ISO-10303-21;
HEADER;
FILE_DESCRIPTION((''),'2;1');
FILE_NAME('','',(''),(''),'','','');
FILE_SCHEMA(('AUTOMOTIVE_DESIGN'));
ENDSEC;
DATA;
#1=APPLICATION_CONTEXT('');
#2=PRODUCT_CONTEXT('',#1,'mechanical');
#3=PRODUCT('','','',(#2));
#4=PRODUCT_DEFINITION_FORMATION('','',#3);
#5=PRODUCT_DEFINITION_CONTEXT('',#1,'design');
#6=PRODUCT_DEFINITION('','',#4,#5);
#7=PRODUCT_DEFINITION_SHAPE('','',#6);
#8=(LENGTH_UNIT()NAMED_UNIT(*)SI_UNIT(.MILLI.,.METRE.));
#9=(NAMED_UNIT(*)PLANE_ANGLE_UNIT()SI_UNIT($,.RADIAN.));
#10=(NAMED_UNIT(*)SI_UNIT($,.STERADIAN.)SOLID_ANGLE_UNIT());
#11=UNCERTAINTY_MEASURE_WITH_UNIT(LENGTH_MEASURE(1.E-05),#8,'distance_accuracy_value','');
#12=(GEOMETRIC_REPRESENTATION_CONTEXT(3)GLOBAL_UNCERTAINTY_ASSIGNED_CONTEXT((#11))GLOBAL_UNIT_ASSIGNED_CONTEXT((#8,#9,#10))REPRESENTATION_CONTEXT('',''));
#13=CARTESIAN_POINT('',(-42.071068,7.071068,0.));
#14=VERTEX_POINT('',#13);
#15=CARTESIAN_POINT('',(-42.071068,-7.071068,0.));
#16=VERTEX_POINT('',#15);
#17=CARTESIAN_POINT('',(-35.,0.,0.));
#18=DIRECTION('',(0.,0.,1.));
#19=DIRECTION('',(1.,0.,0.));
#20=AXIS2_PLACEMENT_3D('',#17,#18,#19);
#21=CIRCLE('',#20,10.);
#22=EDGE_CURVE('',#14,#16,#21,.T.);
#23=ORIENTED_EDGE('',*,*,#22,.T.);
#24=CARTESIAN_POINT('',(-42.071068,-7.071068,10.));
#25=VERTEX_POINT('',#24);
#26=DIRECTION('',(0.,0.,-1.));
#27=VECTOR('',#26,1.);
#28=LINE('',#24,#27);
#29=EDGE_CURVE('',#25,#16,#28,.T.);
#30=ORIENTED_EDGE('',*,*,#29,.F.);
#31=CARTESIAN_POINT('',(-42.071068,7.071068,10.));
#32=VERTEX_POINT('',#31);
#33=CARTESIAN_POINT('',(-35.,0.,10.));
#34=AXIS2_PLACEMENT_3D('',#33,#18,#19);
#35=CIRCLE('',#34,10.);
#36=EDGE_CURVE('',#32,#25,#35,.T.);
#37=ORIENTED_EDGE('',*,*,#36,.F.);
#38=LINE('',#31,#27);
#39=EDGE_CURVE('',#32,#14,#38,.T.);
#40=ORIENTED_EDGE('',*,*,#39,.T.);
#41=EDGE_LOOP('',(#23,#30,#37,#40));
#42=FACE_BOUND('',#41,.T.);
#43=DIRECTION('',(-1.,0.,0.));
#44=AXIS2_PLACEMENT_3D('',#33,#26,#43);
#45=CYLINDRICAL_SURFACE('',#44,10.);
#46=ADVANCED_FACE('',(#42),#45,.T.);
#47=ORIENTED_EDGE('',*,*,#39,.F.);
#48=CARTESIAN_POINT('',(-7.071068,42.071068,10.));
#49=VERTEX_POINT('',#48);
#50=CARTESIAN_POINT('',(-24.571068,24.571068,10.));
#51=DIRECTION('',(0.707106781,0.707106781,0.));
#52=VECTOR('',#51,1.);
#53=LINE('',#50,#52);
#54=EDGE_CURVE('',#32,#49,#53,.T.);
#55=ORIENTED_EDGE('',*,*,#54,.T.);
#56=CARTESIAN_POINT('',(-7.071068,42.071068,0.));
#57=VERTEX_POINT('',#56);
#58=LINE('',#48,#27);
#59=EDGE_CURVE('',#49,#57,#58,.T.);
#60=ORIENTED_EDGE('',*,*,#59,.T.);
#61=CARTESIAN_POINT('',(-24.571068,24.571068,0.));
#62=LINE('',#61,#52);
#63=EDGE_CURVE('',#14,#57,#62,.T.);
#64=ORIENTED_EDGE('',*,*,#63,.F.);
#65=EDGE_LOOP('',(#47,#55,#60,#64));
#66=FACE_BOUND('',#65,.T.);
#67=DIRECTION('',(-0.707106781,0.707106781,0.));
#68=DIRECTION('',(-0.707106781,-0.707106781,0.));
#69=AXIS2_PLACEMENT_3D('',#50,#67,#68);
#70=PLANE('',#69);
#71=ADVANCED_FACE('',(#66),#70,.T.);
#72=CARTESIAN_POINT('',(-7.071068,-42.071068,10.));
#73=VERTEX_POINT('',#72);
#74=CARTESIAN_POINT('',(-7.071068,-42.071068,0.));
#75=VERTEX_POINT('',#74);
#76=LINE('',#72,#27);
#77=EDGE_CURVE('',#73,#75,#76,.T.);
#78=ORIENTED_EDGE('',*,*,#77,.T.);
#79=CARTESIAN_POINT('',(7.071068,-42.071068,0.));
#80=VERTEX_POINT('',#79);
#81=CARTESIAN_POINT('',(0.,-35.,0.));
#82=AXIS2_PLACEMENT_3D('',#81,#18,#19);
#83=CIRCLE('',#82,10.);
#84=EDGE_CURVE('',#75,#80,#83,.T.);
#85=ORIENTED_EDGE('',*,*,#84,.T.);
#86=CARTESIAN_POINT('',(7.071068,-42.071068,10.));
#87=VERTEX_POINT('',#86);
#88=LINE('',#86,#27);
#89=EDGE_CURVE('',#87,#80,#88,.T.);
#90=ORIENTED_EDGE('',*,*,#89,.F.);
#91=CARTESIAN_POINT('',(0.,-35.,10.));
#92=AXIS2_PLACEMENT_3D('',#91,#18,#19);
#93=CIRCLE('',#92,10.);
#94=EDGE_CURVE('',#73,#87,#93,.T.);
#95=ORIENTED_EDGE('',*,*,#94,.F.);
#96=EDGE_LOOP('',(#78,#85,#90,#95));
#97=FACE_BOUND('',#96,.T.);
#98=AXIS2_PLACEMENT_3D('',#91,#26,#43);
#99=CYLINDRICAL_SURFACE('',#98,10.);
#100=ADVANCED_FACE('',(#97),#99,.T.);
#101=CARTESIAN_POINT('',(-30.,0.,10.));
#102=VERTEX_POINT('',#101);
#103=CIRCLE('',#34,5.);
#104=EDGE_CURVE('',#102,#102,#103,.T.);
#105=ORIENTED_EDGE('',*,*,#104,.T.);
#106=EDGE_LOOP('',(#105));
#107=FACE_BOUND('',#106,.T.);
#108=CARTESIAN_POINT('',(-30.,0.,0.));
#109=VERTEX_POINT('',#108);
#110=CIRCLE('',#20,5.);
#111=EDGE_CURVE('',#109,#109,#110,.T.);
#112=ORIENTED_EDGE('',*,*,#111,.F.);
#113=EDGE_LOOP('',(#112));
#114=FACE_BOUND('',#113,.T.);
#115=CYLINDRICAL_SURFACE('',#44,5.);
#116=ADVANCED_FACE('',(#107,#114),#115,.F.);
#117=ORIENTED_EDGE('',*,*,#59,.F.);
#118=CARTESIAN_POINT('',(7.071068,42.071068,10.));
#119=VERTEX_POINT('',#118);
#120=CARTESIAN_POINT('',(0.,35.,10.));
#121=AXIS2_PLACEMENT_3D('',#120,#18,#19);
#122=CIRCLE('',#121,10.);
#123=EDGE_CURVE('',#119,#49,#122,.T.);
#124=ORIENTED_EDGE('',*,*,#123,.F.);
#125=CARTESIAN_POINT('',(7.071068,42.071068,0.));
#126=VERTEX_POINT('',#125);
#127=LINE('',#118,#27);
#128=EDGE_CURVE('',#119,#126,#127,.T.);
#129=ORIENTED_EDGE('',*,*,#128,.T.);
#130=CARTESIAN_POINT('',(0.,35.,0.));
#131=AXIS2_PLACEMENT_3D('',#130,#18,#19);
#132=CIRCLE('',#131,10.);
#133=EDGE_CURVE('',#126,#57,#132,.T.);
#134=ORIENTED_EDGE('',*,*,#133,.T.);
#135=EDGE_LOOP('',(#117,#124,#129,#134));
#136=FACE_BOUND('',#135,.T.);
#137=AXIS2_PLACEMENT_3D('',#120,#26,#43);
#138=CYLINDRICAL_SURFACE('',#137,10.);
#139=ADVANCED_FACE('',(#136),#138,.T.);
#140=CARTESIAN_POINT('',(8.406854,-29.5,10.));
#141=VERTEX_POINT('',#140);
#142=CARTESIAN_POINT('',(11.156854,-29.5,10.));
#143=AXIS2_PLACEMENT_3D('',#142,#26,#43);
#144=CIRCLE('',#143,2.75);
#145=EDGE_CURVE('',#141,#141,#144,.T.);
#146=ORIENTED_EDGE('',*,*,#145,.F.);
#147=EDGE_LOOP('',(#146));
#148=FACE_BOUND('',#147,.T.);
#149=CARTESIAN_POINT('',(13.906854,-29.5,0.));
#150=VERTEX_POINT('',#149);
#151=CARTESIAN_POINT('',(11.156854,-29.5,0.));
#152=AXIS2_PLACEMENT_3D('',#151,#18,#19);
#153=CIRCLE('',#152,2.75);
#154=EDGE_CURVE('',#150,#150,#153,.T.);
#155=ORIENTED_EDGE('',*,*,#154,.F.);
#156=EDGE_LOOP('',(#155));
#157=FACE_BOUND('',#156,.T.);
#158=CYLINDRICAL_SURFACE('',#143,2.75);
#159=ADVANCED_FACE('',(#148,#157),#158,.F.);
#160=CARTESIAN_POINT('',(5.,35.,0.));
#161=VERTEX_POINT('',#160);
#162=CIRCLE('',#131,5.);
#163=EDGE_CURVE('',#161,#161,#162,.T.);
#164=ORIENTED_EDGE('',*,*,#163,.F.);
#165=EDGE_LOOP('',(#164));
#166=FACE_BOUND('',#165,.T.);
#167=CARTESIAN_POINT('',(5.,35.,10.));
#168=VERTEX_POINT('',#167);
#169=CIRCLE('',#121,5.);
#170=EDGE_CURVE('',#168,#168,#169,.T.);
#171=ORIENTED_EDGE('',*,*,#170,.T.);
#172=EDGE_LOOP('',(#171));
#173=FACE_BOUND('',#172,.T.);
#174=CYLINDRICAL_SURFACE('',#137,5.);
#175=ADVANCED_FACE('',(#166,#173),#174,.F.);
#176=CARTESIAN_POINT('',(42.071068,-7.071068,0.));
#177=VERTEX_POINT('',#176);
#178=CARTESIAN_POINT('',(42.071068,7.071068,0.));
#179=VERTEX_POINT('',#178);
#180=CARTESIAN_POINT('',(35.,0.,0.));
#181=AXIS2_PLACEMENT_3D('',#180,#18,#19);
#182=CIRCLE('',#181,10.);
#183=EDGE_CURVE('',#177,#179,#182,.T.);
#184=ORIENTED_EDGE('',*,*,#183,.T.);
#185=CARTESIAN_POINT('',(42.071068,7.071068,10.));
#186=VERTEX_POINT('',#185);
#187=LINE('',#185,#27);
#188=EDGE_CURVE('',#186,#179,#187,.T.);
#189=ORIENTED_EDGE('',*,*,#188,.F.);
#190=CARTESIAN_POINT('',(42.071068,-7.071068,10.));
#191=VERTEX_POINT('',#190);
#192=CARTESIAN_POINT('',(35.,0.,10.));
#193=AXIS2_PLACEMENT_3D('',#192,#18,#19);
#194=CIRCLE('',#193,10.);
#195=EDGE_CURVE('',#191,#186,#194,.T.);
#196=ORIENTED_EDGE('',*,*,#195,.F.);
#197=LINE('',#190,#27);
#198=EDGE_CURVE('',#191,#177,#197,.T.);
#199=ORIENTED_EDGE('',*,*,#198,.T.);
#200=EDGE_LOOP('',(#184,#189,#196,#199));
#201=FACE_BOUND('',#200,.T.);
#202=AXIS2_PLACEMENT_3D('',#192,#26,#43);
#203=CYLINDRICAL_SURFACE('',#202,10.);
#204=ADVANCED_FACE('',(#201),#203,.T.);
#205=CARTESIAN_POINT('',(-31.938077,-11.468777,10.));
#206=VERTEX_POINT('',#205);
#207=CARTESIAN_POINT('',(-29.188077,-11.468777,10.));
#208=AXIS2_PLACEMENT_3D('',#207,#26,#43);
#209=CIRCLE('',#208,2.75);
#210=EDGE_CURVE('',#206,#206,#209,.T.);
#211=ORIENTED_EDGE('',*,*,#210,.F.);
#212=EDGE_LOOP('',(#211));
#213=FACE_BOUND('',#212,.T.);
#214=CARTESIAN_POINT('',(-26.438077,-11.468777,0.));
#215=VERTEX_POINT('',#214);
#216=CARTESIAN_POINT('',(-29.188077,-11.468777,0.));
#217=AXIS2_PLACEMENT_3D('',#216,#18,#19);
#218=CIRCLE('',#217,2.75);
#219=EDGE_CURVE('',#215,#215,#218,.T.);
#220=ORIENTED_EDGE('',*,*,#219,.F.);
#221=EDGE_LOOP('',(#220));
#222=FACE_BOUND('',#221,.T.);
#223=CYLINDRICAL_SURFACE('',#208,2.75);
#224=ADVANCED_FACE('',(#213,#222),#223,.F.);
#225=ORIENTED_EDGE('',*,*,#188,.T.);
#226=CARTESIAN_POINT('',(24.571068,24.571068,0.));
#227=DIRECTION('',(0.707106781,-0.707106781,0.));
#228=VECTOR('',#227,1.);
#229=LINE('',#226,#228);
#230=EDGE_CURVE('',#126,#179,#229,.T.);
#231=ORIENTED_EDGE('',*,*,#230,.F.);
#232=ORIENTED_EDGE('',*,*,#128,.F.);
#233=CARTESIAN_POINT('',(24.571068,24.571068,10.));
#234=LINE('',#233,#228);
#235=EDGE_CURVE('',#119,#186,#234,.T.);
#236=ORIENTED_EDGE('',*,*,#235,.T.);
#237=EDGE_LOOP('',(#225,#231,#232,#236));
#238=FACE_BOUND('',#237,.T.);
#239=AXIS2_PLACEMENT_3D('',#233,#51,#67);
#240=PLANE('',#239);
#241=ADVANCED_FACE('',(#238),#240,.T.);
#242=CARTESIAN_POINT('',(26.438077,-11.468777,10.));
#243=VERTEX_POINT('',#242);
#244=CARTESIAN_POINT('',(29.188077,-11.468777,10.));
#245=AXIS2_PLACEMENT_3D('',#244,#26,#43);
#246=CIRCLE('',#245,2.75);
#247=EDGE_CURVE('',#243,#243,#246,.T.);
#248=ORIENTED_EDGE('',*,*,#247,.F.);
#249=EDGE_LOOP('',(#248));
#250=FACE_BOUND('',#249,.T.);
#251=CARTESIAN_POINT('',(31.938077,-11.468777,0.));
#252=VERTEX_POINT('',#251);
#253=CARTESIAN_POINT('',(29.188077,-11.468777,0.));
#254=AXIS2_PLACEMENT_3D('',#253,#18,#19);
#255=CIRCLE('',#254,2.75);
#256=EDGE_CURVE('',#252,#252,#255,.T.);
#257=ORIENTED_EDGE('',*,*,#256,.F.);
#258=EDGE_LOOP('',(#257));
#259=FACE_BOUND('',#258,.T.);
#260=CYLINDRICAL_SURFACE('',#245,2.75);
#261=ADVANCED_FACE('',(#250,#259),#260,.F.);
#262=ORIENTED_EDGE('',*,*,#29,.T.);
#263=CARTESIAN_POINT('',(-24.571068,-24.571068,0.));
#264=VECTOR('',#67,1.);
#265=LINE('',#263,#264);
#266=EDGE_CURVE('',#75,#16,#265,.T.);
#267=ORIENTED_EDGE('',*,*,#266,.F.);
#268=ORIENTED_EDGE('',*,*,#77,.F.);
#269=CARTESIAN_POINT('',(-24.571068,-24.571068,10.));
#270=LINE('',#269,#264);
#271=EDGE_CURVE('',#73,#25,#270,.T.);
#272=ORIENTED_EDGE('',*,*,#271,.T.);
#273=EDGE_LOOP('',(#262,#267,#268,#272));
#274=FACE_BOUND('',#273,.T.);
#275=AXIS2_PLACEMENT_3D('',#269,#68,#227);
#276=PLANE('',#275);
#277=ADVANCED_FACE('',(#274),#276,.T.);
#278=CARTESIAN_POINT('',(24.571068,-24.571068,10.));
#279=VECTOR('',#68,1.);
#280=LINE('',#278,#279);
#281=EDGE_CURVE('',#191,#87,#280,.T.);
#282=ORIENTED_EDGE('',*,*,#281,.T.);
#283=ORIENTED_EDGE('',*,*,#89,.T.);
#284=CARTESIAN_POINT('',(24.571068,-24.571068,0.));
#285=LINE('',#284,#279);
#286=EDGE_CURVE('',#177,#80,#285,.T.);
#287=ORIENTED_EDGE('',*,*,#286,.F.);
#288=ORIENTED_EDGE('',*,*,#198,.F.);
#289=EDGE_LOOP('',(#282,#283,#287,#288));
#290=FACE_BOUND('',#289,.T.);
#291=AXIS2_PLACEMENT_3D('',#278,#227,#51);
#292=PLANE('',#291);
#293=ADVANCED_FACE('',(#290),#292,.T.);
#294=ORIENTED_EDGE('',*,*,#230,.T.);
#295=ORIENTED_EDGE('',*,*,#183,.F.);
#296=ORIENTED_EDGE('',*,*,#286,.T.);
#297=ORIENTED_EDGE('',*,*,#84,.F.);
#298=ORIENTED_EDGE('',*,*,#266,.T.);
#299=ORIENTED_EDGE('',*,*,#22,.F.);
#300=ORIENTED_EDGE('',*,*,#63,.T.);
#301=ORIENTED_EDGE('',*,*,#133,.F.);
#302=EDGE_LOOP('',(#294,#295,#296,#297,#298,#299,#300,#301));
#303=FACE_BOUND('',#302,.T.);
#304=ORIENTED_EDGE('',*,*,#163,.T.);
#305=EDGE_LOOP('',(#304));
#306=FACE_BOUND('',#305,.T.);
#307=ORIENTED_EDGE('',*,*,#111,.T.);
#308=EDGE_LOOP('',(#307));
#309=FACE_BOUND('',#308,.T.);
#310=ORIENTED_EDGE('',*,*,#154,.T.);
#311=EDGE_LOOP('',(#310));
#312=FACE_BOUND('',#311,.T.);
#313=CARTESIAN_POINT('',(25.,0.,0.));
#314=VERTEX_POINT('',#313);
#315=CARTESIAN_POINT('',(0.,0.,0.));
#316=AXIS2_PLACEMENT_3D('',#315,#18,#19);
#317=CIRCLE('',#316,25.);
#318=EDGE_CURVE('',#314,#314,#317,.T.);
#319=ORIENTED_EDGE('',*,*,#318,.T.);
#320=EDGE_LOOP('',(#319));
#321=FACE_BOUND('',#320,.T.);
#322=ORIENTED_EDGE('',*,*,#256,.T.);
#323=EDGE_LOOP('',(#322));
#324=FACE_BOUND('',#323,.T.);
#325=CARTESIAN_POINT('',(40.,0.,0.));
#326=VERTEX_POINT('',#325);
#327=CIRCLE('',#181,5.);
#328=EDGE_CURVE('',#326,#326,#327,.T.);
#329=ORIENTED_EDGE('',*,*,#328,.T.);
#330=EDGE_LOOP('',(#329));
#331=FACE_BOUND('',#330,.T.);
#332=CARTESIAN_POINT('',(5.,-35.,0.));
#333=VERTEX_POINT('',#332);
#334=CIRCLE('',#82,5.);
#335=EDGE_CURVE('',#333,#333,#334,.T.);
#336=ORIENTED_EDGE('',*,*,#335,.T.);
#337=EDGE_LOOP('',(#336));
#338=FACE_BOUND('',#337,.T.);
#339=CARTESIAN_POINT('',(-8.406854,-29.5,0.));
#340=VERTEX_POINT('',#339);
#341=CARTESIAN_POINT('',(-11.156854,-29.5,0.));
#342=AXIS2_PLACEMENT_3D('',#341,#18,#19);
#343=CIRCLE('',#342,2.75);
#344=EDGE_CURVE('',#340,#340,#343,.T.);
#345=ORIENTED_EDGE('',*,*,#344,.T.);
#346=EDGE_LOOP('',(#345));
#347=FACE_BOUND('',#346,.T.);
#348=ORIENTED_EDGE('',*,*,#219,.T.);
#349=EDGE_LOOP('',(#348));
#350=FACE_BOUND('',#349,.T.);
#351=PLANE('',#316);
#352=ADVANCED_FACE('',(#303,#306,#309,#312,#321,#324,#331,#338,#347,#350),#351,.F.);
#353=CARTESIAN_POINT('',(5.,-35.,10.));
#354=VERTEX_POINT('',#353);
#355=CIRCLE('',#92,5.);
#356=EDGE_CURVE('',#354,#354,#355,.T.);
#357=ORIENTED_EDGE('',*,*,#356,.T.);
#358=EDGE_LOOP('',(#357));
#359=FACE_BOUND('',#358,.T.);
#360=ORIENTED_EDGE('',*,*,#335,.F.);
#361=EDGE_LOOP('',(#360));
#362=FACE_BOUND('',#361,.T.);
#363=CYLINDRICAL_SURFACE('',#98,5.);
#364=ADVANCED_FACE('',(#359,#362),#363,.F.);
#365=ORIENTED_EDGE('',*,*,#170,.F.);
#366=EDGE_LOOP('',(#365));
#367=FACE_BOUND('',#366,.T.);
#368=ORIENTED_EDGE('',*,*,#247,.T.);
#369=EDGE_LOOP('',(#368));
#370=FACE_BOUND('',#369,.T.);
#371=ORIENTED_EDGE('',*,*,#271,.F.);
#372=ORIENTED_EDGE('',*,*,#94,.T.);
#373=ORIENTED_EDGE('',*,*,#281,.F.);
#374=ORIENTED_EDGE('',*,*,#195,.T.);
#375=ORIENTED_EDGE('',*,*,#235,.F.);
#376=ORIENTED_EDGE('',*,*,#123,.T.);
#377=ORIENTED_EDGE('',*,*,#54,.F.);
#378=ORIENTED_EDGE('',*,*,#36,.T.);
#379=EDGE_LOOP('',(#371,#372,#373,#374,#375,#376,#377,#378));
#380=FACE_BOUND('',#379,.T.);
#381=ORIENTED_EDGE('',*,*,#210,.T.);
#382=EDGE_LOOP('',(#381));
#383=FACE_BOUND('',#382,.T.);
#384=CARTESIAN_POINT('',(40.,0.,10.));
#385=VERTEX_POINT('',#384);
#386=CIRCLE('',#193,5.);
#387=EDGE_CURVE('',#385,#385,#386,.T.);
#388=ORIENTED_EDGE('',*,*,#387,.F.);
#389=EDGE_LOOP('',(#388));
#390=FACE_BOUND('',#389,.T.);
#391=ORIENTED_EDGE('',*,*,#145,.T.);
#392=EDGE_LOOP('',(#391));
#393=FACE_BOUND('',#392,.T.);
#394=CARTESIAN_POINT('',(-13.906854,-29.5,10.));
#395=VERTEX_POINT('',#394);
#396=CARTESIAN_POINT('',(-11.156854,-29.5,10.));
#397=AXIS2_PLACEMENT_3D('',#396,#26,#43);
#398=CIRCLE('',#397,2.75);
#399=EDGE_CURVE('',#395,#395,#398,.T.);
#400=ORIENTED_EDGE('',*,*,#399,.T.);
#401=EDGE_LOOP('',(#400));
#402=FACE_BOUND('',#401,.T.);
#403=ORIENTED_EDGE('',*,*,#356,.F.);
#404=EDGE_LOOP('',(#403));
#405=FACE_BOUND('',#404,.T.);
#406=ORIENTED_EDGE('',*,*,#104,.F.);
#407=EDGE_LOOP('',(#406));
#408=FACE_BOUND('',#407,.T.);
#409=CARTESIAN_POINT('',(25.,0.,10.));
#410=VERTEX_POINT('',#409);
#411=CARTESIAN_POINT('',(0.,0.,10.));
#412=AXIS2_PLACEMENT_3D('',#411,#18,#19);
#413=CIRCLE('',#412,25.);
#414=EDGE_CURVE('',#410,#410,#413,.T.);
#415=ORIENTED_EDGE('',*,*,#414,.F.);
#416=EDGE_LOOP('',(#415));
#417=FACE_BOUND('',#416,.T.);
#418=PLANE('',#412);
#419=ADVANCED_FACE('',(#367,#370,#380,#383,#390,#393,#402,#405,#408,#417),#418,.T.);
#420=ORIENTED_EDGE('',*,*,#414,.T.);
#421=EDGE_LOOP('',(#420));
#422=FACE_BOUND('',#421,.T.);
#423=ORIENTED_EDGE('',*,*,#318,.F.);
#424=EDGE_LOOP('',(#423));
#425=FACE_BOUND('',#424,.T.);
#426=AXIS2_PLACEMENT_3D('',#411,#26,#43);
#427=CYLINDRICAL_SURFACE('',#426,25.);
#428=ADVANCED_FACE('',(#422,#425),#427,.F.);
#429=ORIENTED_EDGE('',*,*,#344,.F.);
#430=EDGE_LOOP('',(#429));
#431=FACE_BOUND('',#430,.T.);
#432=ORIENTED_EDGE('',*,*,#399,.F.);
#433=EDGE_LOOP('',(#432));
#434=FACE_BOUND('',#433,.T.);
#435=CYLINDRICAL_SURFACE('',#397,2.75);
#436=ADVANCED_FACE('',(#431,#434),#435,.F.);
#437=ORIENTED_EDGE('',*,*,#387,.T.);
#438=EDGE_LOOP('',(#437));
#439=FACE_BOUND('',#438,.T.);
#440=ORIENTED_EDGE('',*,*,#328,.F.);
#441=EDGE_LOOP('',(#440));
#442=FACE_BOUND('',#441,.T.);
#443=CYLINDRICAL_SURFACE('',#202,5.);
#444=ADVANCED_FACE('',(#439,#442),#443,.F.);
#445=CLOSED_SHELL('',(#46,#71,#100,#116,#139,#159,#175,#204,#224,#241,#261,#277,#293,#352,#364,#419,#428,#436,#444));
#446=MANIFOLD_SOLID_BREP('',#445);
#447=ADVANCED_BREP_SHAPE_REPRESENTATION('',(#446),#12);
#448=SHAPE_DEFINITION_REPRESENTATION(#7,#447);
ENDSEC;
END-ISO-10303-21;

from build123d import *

# Parameters (mm, degrees)
SZKIC1_R                        = 5
SZKIC1_R_2                      = 25
DODANIE_WYCI_GNI_CIE1_DEPTH     = 10
WYTNIJ_WYCI_GNI_CIE1_DEPTH      = 65.420493634
WYTNIJ_WYCI_GNI_CIE1_DEPTH_BACK = 65.420493634
SZKIC2_R                        = 2.75


with BuildPart() as part:
    # Szkic1 → Dodanie-wyciągnięcie1 (new body)
    with BuildSketch(Plane.XY):
        with BuildLine():
            Line((-42.071067812, 7.071067812), (-7.071067812, 42.071067812))
            ThreePointArc((-7.071067812, 42.071067812), (0, 45), (7.071067812, 42.071067812))
            Line((7.071067812, 42.071067812), (42.071067812, 7.071067812))
            ThreePointArc((42.071067812, 7.071067812), (45, 0), (42.071067812, -7.071067812))
            Line((42.071067812, -7.071067812), (7.071067812, -42.071067812))
            ThreePointArc((7.071067812, -42.071067812), (0, -45), (-7.071067812, -42.071067812))
            Line((-7.071067812, -42.071067812), (-42.071067812, -7.071067812))
            ThreePointArc((-42.071067812, -7.071067812), (-45, 0), (-42.071067812, 7.071067812))
        make_face()
        with Locations((-35, 0)):
            Circle(SZKIC1_R, mode=Mode.SUBTRACT)
        with Locations((0, 35)):
            Circle(SZKIC1_R, mode=Mode.SUBTRACT)
        with Locations((35, 0)):
            Circle(SZKIC1_R, mode=Mode.SUBTRACT)
        with Locations((0, -35)):
            Circle(SZKIC1_R, mode=Mode.SUBTRACT)
        Circle(SZKIC1_R_2, mode=Mode.SUBTRACT)
    extrude(amount=DODANIE_WYCI_GNI_CIE1_DEPTH)

    # Szkic2 → Wytnij-wyciągnięcie1 (cut, two sides: drawn at the far end of the back side and taken through both)
    with BuildSketch(Plane(origin=(0, 0, 0), x_dir=(-1, 0, 0), z_dir=(0, 0, -1)).offset(-WYTNIJ_WYCI_GNI_CIE1_DEPTH_BACK)):
        with Locations((11.156854249, -29.5)):
            Circle(SZKIC2_R)
        with Locations((29.18807717, -11.46877708)):
            Circle(SZKIC2_R)
        with Locations((-11.156854249, -29.5)):
            Circle(SZKIC2_R)
        with Locations((-29.18807717, -11.46877708)):
            Circle(SZKIC2_R)
    extrude(amount=WYTNIJ_WYCI_GNI_CIE1_DEPTH + WYTNIJ_WYCI_GNI_CIE1_DEPTH_BACK, mode=Mode.SUBTRACT)


solid = part.part
